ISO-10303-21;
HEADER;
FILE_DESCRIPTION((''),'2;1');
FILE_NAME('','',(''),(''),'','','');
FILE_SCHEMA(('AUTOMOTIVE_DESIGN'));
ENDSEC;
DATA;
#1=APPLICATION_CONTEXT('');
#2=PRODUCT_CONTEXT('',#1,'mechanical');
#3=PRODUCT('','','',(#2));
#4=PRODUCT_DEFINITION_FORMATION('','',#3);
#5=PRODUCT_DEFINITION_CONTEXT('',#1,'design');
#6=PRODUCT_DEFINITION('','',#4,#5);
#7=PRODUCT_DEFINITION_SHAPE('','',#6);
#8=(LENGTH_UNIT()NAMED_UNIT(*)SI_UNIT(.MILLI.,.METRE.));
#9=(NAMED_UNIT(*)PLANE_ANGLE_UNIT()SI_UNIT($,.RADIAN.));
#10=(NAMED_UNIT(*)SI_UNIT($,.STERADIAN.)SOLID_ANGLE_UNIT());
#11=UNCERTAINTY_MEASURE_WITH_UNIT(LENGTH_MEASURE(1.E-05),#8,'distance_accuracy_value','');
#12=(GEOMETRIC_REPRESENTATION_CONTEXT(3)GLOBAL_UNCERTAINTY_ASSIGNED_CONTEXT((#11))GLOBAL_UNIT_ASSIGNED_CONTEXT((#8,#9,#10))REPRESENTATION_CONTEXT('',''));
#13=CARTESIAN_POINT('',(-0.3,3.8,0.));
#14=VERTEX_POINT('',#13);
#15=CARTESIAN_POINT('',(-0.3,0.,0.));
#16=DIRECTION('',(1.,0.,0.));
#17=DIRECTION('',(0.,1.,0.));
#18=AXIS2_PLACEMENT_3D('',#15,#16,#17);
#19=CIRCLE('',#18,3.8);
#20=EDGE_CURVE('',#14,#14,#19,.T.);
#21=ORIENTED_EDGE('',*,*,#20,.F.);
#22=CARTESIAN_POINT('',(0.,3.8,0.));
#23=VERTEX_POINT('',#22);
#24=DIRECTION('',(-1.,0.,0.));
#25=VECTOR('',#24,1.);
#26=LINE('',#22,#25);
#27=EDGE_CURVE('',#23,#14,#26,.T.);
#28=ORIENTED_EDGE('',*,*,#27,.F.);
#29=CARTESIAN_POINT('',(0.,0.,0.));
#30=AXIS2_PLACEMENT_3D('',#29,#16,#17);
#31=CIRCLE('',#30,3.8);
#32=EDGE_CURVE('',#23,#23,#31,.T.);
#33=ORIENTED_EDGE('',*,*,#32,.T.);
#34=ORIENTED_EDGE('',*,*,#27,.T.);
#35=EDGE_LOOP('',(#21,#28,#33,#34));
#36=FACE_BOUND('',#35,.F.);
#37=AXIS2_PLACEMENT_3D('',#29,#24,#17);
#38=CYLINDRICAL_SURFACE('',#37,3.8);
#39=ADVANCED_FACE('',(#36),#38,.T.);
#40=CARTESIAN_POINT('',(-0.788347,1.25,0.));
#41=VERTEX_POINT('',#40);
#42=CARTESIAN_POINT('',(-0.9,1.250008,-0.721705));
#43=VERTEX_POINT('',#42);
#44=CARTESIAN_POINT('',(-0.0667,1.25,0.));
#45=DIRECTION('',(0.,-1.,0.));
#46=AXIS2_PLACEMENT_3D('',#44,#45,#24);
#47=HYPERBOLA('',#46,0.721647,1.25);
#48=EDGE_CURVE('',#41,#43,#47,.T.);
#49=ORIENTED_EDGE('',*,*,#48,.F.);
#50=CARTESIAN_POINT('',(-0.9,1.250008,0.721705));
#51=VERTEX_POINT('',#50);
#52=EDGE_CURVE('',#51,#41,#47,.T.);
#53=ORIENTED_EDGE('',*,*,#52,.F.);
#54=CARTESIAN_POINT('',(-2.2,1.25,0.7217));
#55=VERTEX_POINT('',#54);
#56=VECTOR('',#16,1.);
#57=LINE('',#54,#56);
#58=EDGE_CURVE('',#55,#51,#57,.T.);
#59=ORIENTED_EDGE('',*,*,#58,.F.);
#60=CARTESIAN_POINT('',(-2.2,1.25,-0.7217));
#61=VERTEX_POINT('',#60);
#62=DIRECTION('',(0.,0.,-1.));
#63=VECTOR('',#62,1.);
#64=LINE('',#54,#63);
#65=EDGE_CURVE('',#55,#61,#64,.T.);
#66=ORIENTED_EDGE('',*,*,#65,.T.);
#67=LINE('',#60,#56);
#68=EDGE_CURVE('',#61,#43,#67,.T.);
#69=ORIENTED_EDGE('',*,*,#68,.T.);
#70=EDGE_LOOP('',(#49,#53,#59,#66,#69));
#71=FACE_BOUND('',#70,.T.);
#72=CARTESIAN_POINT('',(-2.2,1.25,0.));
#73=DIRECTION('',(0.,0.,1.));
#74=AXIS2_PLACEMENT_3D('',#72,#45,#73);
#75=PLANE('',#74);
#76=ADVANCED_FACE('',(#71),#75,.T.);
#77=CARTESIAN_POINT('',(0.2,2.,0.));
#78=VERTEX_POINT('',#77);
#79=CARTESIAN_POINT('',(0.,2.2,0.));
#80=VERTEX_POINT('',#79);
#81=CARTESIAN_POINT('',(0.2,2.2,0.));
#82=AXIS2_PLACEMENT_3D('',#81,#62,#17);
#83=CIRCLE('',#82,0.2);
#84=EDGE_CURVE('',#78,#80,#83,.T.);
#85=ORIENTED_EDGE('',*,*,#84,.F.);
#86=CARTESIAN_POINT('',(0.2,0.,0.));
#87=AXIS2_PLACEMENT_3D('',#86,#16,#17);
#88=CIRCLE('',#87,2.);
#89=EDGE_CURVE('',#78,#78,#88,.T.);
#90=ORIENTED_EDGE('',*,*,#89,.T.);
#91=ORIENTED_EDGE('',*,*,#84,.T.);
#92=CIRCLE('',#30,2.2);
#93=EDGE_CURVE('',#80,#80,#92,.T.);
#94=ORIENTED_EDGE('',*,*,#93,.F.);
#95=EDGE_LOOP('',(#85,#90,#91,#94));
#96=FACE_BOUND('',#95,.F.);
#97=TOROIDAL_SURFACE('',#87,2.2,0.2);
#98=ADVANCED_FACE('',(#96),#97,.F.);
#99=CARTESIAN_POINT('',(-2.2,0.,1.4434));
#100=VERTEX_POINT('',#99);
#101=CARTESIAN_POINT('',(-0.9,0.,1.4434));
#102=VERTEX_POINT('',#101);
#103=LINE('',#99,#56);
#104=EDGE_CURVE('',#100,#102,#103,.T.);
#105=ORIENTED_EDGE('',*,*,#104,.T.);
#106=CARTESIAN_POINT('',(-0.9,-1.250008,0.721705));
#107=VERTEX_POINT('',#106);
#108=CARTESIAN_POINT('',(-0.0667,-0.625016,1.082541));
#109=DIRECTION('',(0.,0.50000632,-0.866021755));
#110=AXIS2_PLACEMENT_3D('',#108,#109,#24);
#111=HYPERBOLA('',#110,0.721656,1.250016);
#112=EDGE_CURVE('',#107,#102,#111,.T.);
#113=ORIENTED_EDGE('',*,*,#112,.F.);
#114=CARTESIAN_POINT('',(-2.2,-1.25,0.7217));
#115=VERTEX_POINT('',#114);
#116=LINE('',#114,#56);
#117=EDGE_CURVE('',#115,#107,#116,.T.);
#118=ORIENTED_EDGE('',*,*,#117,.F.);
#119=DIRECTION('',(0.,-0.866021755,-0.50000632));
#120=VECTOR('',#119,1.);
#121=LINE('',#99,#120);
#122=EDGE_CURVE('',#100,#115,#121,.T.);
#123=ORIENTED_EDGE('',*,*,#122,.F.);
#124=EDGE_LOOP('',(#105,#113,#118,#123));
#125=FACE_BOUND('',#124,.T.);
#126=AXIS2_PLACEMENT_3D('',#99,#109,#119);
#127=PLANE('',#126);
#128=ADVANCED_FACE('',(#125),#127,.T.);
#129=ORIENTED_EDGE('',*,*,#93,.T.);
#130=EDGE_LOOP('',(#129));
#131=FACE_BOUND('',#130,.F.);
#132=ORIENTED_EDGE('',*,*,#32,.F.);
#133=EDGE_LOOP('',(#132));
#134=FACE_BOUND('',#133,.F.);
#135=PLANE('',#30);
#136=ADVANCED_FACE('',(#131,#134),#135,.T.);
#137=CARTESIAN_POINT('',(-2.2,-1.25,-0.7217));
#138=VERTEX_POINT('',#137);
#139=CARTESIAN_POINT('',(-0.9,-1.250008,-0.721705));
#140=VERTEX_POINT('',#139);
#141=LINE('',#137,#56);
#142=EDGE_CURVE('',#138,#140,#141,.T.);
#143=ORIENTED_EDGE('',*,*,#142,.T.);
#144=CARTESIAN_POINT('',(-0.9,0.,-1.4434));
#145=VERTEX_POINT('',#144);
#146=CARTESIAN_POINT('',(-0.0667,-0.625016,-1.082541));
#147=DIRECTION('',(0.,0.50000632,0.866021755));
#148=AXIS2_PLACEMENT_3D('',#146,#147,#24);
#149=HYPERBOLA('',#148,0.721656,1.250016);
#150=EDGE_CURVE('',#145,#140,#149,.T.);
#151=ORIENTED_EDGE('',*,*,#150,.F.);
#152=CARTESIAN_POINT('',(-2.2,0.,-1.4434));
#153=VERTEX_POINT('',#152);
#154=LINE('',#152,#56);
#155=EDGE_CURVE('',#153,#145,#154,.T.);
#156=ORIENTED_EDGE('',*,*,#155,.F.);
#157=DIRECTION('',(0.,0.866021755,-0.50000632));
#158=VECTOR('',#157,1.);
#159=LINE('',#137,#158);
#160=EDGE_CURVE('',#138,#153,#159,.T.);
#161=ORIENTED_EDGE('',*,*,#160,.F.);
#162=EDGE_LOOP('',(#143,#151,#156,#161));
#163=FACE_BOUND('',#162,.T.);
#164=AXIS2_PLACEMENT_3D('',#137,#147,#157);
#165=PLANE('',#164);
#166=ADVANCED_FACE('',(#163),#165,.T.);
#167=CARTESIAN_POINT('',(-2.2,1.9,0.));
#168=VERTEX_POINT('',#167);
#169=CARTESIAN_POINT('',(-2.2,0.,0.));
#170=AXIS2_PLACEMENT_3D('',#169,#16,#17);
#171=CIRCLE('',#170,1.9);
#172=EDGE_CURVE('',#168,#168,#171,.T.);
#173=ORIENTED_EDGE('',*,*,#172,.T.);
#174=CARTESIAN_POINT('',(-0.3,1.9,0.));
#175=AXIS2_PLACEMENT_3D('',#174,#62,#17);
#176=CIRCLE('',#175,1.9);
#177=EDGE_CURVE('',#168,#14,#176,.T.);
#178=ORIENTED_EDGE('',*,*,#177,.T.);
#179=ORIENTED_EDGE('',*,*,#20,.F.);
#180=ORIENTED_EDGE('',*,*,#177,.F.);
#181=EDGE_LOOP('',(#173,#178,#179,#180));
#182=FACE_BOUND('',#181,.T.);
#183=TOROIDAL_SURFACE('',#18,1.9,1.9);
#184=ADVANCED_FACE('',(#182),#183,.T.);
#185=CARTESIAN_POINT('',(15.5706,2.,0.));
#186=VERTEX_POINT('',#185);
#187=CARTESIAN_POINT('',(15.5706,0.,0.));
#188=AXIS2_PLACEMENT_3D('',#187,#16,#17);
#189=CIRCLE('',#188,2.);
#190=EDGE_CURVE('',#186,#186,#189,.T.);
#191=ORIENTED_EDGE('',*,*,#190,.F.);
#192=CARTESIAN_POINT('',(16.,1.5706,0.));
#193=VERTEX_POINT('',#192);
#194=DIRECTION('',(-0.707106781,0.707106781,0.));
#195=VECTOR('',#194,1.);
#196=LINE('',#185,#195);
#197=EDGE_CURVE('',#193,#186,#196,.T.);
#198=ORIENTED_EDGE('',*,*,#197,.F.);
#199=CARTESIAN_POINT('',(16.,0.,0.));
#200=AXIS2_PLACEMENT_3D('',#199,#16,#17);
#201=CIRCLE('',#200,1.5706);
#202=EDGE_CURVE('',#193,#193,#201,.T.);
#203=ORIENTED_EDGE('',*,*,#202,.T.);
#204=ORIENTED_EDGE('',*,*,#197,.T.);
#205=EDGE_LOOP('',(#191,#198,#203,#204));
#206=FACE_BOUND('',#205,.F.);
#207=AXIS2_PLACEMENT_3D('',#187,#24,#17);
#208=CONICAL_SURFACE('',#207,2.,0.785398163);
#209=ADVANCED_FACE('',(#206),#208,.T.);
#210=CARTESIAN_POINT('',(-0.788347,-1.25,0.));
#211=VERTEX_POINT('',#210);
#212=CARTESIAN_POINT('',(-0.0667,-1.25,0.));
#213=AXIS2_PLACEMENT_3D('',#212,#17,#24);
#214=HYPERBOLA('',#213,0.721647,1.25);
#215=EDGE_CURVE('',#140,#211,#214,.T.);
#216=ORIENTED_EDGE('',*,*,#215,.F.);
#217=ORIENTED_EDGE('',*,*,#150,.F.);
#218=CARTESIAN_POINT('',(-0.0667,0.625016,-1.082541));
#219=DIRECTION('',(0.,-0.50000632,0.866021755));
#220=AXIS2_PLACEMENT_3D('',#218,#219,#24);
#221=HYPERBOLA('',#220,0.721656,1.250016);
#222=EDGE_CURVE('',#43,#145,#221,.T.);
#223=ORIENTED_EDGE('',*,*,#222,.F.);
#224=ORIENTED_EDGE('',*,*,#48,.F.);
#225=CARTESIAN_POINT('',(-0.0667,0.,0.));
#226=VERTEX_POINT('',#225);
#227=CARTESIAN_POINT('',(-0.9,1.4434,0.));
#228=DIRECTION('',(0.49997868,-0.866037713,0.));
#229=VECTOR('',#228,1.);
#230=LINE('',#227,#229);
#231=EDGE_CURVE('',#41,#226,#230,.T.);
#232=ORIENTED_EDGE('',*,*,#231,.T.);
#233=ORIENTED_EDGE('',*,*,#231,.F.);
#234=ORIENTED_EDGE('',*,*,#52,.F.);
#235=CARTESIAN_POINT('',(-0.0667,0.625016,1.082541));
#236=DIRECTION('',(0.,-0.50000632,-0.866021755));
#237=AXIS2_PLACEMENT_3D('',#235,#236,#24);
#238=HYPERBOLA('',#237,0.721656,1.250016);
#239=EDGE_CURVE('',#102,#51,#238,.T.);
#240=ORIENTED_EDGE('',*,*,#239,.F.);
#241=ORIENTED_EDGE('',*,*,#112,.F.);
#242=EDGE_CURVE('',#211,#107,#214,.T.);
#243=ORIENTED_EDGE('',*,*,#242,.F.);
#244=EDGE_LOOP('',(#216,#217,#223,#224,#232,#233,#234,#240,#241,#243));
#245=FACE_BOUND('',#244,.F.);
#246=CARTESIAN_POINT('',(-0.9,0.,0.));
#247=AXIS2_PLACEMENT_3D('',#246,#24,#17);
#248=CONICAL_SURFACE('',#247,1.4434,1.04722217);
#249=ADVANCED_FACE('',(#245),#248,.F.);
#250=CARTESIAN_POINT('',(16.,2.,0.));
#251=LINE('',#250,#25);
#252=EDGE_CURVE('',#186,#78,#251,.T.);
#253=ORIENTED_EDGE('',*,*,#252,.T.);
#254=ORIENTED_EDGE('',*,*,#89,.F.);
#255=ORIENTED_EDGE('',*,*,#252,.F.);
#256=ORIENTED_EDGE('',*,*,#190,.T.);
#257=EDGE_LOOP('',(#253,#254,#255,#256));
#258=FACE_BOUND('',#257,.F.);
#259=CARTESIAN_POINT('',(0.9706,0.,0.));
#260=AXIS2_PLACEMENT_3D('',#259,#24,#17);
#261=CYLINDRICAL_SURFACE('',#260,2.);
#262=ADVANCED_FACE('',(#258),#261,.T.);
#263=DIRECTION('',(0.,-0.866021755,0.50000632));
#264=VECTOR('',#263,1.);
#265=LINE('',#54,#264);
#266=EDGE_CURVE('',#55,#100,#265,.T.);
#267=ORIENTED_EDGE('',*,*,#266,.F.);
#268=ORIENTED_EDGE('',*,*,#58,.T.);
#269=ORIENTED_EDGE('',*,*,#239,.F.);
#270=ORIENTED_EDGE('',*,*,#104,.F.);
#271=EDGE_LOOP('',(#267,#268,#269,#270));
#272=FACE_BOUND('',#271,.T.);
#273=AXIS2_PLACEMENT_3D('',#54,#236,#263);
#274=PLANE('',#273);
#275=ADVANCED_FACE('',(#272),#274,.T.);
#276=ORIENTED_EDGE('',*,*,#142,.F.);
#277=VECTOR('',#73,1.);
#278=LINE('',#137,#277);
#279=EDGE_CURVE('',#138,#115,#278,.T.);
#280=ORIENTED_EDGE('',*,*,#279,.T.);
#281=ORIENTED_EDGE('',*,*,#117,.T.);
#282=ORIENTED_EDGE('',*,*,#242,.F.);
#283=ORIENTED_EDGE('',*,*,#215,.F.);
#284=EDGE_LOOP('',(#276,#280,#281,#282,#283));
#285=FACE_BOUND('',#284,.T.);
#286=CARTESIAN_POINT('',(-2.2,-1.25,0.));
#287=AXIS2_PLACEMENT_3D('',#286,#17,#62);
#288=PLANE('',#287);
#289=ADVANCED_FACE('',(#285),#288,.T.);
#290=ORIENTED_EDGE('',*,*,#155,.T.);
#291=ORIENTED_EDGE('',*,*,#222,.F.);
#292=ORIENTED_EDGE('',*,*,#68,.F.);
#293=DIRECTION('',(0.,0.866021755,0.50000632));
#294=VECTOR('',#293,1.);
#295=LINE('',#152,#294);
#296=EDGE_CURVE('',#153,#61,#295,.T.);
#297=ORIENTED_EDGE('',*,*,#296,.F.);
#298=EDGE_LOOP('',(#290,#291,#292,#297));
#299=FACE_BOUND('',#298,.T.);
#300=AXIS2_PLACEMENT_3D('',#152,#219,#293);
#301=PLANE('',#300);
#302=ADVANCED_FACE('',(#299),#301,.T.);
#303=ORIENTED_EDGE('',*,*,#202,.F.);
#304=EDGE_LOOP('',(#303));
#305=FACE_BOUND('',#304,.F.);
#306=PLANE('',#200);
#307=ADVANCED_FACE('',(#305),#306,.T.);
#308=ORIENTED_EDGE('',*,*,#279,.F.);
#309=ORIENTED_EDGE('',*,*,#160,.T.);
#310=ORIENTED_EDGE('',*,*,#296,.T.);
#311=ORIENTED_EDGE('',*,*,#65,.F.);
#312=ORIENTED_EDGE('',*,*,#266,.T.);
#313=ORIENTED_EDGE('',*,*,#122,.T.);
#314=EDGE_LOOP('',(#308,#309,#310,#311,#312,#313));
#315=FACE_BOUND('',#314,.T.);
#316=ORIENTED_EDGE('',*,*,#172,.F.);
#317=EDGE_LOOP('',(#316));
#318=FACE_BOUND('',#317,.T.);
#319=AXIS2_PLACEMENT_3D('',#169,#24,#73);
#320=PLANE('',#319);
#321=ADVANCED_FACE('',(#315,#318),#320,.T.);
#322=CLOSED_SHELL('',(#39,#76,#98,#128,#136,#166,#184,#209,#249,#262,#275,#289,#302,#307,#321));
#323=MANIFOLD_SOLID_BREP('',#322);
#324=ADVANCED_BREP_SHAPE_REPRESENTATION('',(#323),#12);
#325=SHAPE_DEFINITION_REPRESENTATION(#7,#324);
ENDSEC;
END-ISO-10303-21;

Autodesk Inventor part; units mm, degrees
ref_plane "YZ Plane" through (0, 0, 0) normal (1, 0, 0) x (0, 1, 0)
ref_plane "XZ Plane" through (0, 0, 0) normal (0, 1, 0) x (-1, 0, 0)
sketch "Esquisse1" plane through (0, 0, 0) normal (0, 0, 1) x (1, 0, 0)
  line L0 (-0.0667, 0) -> (16, 0)
  line L1 (16, 0) -> (16, 2)
  line L2 (16, 2) -> (1.4, 2)
  line L3 (1.4, 2) -> (0.9706, 2)
  line L4 (0.9706, 2) -> (0, 2)
  line L5 (0, 2) -> (0, 3.8)
  line L6 (0, 3.8) -> (-2.2, 3.8)
  line L7 (-2.2, 3.8) -> (-2.2, 1.4434)
  line L8 (-2.2, 1.4434) -> (-0.9, 1.4434)
  line L9 (-0.9, 1.4434) -> (-0.0667, 0)
  line L10 (-5.84, 0) -> (19.64, 0) projected
  line L11 (0, -0.76) -> (0, 4.56) projected
  line L12 (1.4, 2) -> (0, 2) construction
  dimension "d0" = 14.6
  dimension "d1" = 0.4294
  dimension "d2" = 2.2
  dimension "d3" = 1.3
  dimension "d4" = 60
  dimension "d5" = 4
  dimension "d6" = 4
  dimension "d7" = 2.8868
  dimension "d8" = 7.6
  dimension "d19" = 16
revolve "Corps" add sketch "Esquisse1" angle 360 about axis through (-0.0667, 0, 0) along (1, 0, 0)
sketch "Esquisse2" plane through (-2.2, 0, 0) normal (-1, 0, 0) x (0, 0, 1)
  circle A0 centre (0, 0) radius 1.4434 projected
  line L0 (0, -5.32) -> (0, 5.32) projected
  line L1 (-5.32, 0) -> (5.32, 0) projected
  line L2 (1.4434, 0) -> (0.7217, -1.25)
  line L3 (0.7217, -1.25) -> (-0.7217, -1.25)
  line L4 (-0.7217, -1.25) -> (-1.4434, 0)
  line L5 (-1.4434, 0) -> (-0.7217, 1.25)
  line L6 (-0.7217, 1.25) -> (0.7217, 1.25)
  line L7 (0.7217, 1.25) -> (1.4434, 0)
  point P0 (0, 0)
extrude "Rainure" add sketch "Esquisse2" against normal up to next contours L7 A0 | A0 L2 | L6 L0 A0 | A0 L0 L3 | L0 L6 A0 | A0 L3 L0 | L4 A0 | A0 L5
fillet "Congé1" radius 1.9 1 edges at (-2.2, -3.8, 0)
thread "Filetage" size "M4x0.7" class "4g6g" standard "ANSI Metric M Profile" length 14.6
chamfer "Chanfrein1" distance 0.4294 distance2 0.4294 1 edges at (16, -2, 0) measured on face at (16, 0.527, -0.2661)
fillet "Congé2" radius 0.2 1 edges at (0, -2, 0)
ref_plane "Work Plane1" through (30, 0, 0) normal (0, -0.5, 0.866) x (1, 0, 0)
equation "\"d0\" = GEL"
equation "\"d1\" = GAL"
equation "\"d2\" = KOH"
equation "\"d3\" = INTI"
equation "\"d5\" = GD"
equation "\"d6\" = BDM"
equation "\"d7\" = 1.1547 * SW"
equation "\"d8\" = KOD"
equation "\"d19\" = NLG"
equation "\"d16\" = RR"
equation "\"d12\" = GEL"
equation "\"d14\" = -0.5 * SPD + 0.5 * GD"
equation "\"d15\" = GUL"
equation "\"d29\" = R"
equation "\"GD\" = NND"
equation "\"NLG\" = 16"
equation "\"GEL\" = 14.6"
equation "\"KOD\" = 7.6"
equation "\"KOH\" = 2.2"
equation "\"INTI\" = 1.3"
equation "\"GAL\" = 0.61345 * PTC"
equation "\"GUL\" = 0.61345 * PTC"
equation "\"BDM\" = NND"
equation "\"SW\" = 2.5"
equation "\"RR\" = 1.9"
equation "\"SPD\" = 3.14117"
equation "\"d28\" = R"
equation "\"R\" = 0.2"
equation "\"TOA\" = 30deg"
equation "\"THREADDIA\" = 4"
equation "\"KOD1\" = KOD - 2 * RR"
equation "\"PTC\" = 0.7"
equation "\"NND\" = 4"
equation "\"E0\" = 1.155 * SW"
equation "\"GD1\" = THREADDIA - 1.2269 * PTC"
properties part number "ANSI B18.3.4M - M4 x 0.7 x 16" material "Acier, doux"
